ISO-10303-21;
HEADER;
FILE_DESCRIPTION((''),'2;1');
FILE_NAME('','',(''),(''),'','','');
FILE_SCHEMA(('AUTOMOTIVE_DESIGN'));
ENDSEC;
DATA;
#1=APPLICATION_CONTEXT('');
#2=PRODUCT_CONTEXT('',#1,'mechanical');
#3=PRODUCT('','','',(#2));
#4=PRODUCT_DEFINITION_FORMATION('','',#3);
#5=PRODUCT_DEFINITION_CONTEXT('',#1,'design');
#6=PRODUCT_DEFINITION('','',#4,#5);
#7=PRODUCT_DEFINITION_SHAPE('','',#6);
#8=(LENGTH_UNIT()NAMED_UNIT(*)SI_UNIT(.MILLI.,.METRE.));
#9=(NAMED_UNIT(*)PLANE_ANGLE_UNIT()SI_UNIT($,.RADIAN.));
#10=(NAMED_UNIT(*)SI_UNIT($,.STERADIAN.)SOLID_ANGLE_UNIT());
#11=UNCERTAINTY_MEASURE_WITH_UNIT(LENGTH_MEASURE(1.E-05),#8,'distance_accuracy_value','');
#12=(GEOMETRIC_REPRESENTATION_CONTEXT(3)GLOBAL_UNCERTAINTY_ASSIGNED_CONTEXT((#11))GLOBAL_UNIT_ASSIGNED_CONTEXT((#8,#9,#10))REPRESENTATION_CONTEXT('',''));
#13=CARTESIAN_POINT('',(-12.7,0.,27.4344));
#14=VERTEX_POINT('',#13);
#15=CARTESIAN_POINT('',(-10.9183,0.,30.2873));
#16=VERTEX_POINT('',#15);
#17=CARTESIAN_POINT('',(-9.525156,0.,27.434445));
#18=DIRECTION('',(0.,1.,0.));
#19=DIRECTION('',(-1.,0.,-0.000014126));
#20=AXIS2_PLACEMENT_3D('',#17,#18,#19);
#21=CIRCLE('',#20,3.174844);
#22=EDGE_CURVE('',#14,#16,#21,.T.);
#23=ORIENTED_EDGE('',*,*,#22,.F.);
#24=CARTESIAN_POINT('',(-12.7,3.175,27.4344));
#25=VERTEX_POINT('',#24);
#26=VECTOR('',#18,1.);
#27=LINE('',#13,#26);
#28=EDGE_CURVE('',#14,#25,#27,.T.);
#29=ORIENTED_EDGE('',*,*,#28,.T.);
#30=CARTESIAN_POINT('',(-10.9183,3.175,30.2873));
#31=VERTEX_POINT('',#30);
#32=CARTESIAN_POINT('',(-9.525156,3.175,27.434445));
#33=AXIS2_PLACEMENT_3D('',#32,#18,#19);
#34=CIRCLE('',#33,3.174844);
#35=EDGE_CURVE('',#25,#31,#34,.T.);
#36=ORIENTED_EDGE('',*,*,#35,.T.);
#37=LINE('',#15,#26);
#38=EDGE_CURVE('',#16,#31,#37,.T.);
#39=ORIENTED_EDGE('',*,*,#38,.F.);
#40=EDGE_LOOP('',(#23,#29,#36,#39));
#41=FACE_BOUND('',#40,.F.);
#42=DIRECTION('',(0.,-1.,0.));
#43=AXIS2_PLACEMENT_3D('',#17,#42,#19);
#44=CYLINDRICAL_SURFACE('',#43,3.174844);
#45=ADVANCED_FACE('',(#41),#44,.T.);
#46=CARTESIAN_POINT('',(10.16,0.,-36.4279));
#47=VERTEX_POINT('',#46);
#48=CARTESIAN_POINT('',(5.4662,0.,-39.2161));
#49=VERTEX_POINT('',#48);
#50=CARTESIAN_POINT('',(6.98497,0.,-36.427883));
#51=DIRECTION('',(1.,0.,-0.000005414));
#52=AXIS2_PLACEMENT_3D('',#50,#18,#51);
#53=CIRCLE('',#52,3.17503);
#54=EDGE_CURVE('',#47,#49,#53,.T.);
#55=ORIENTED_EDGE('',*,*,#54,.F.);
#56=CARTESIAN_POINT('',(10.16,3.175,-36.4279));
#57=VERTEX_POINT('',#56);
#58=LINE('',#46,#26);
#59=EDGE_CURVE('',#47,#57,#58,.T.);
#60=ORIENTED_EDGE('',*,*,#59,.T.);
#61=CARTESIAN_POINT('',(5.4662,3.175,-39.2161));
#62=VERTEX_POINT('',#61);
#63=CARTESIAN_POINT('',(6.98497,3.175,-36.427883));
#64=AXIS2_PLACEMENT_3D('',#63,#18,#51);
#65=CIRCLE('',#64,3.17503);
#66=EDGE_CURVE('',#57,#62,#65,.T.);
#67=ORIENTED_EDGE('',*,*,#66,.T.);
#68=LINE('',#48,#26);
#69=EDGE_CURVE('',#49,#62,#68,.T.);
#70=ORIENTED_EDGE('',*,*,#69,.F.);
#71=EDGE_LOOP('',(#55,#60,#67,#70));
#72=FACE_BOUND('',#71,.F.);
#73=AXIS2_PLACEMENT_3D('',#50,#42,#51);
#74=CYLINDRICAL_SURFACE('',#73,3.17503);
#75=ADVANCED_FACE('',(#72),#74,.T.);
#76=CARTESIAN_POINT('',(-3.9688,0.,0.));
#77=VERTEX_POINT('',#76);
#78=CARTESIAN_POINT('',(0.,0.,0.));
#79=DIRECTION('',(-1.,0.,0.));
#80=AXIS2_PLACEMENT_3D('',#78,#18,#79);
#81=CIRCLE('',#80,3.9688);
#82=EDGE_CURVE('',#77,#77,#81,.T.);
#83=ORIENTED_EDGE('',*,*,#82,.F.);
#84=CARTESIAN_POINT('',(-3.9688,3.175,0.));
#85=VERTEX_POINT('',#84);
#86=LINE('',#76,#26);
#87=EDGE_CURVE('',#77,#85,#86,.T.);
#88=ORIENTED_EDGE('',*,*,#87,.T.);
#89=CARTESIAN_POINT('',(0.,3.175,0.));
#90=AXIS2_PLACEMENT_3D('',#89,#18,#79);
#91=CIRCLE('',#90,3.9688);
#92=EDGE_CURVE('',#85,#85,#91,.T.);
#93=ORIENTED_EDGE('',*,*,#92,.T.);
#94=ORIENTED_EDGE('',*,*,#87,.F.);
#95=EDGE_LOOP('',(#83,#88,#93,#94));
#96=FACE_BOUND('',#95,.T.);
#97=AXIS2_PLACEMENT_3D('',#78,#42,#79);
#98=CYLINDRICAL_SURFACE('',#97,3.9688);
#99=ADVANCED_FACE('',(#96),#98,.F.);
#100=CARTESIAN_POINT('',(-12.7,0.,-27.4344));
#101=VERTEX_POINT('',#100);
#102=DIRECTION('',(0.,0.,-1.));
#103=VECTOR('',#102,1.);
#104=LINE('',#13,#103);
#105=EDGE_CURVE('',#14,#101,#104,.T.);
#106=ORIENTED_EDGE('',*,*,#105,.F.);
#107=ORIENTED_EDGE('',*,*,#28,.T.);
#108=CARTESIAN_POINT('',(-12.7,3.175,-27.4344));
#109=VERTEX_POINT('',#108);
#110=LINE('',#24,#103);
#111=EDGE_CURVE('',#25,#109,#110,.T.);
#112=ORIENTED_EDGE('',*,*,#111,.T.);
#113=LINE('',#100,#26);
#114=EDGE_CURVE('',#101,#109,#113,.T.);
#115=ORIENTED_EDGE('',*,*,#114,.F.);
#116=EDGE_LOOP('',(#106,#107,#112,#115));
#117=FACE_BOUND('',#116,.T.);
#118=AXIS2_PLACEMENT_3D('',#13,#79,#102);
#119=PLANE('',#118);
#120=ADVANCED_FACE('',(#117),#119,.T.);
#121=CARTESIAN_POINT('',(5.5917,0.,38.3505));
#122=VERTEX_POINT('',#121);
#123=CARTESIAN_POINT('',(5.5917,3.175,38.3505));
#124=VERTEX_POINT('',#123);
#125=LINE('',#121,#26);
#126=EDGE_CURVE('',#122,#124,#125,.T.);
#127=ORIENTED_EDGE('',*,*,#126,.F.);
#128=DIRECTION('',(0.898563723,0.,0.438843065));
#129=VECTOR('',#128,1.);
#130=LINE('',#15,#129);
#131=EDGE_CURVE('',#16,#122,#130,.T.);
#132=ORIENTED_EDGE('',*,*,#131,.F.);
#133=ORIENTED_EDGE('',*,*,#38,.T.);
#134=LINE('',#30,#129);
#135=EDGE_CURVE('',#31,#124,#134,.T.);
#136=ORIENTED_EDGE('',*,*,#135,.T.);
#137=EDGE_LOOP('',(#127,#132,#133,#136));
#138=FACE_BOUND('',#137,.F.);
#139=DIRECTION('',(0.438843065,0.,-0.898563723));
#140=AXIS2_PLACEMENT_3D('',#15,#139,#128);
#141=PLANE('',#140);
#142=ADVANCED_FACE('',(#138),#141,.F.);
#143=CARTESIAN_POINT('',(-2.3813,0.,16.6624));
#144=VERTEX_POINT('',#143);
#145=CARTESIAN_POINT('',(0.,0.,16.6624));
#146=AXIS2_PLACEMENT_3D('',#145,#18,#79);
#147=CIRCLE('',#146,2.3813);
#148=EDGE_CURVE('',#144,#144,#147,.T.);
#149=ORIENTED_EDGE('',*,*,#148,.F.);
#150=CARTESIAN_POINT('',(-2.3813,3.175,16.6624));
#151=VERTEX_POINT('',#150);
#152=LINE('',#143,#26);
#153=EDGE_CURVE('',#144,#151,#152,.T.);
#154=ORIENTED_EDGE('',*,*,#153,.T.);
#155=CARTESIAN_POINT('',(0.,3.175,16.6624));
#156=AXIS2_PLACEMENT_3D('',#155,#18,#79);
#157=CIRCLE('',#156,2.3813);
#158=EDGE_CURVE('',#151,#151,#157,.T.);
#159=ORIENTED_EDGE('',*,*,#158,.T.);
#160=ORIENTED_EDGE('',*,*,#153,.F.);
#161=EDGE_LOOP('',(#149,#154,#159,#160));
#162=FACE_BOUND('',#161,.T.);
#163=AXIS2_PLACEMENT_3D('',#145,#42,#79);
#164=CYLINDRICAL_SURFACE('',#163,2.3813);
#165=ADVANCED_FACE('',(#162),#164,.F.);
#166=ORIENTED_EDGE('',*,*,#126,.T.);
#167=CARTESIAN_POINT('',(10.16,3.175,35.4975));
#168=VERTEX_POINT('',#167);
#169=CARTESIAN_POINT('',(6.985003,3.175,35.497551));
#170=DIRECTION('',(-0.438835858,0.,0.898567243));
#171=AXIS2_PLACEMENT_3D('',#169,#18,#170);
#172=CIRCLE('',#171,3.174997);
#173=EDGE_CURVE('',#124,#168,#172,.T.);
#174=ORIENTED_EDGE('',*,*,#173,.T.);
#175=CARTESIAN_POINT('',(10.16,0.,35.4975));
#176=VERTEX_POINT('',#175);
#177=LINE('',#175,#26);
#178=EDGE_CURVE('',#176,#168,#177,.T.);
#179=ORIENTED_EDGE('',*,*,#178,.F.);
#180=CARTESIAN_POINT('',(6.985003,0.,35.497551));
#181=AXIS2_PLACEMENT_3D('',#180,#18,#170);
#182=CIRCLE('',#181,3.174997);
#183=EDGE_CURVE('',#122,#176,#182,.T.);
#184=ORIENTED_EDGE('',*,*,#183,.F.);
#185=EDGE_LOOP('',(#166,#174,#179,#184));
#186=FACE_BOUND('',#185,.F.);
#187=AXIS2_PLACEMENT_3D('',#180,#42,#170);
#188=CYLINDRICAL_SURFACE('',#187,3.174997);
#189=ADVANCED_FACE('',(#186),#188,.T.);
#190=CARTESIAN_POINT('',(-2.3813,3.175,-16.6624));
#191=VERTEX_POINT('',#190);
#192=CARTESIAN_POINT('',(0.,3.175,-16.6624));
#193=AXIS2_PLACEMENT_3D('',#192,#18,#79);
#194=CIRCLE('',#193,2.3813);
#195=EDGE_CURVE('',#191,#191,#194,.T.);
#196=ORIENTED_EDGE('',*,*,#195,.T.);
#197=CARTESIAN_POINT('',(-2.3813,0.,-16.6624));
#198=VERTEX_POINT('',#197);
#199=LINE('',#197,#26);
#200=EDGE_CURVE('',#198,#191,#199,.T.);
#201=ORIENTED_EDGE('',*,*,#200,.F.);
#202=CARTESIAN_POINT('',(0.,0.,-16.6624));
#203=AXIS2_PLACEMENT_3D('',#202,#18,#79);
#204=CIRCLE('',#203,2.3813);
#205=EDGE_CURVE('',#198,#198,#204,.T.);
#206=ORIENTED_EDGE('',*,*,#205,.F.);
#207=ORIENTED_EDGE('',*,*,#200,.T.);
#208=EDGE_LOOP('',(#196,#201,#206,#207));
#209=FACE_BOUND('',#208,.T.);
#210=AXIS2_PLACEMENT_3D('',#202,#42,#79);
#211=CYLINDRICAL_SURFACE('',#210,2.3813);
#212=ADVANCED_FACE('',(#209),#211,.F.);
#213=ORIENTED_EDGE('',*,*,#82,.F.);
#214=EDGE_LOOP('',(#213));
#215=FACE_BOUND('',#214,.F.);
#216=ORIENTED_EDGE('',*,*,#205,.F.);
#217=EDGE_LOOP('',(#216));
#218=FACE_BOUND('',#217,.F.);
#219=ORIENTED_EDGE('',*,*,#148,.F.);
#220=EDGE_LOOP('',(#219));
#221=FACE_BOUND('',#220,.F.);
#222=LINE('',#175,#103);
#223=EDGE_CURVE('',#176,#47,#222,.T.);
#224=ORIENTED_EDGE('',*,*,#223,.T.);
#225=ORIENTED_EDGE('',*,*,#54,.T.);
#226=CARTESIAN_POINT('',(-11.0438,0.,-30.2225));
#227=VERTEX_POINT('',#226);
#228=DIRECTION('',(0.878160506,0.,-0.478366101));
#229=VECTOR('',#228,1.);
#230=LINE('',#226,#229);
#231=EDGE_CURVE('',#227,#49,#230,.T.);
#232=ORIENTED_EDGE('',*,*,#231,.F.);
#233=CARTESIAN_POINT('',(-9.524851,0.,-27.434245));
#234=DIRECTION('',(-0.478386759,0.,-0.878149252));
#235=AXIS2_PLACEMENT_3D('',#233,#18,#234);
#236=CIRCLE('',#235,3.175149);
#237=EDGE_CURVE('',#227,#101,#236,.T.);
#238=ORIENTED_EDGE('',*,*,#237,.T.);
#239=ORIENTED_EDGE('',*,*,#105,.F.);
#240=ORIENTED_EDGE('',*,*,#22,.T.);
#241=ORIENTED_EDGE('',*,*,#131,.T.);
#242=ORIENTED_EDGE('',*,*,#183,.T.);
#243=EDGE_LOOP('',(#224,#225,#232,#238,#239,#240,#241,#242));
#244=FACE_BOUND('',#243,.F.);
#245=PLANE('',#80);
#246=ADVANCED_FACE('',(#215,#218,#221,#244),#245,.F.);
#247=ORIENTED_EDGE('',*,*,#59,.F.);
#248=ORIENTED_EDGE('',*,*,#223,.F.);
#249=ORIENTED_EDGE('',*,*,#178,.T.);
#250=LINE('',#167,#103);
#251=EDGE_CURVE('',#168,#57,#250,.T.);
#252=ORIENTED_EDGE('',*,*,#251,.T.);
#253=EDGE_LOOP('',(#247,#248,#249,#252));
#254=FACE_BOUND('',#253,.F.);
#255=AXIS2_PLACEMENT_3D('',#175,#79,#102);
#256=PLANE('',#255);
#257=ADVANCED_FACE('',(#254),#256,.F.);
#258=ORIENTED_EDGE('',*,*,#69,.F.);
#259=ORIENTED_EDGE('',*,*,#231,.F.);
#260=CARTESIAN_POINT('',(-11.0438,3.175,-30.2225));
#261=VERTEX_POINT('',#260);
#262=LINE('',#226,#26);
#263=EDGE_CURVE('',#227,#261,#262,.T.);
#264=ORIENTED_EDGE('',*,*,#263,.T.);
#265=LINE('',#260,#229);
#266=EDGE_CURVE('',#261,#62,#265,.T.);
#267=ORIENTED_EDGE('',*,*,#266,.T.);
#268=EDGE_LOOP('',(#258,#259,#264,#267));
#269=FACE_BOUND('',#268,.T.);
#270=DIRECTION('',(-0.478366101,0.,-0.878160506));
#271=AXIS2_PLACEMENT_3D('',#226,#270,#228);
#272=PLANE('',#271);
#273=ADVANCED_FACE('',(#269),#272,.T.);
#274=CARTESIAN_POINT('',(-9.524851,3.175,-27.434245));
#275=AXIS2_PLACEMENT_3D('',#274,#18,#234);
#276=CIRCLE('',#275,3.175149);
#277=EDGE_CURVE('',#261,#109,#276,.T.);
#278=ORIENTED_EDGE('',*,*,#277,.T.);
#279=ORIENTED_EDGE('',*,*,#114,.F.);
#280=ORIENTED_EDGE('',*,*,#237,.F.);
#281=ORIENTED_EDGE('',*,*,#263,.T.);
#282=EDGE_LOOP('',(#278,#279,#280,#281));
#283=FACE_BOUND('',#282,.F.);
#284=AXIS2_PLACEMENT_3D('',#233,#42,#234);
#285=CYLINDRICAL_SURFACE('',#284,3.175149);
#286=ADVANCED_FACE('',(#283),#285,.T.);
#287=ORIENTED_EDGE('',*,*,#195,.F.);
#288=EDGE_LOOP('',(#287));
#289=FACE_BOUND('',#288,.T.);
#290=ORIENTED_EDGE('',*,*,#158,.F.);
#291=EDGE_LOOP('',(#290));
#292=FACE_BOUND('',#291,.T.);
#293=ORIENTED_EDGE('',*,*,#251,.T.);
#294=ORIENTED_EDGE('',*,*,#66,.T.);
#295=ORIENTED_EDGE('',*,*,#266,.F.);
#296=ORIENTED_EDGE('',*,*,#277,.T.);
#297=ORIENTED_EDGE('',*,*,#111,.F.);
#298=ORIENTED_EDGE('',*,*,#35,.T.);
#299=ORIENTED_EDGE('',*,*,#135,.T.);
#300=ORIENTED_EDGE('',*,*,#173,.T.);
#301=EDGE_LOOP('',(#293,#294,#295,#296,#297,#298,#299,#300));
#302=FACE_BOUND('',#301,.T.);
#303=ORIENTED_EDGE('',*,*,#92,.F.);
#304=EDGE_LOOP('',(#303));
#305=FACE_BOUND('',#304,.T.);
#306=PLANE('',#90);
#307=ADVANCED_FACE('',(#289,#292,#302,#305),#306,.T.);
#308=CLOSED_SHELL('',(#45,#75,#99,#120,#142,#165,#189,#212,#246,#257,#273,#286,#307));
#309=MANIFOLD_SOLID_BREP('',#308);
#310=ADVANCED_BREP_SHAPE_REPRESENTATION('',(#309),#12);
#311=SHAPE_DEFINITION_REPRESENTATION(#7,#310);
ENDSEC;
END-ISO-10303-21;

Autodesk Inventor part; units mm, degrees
ref_plane "YZ Plane" through (0, 0, 0) normal (1, 0, 0) x (0, 1, 0)
ref_plane "XZ Plane" through (0, 0, 0) normal (0, 1, 0) x (-1, 0, 0)
ref_plane "XY Plane" through (0, 0, 0) normal (0, 0, 1) x (1, 0, 0)
sketch "Sketch1" plane through (0, 0, 0) normal (0, 1, 0) x (-1, 0, 0)
  circle A0 centre (0, 0) radius 3.9688
  circle A1 centre (0, -16.6624) radius 2.3813
  circle A2 centre (0, 16.6624) radius 2.3813
  line L0 (12.7, 27.4344) -> (12.7, -27.4344)
  line L1 (-10.16, 35.4975) -> (-10.16, -36.4279)
  line L2 (10.9183, 30.2873) -> (-5.5917, 38.3505)
  line L3 (12.7, 29.4172) -> (45.9346, 29.4172) construction
  line L4 (-10.16, -0.5957) -> (-17.3723, -0.5957) construction
  line L5 (11.0438, -30.2225) -> (-5.4662, -39.2161)
  arc A3 (-5.5917, 38.3505) -> (-10.16, 35.4975) centre (-6.985, 35.4975) ccw
  arc A4 (12.7, 27.4344) -> (10.9183, 30.2873) centre (9.525, 27.4344) ccw
  arc A5 (11.0438, -30.2225) -> (12.7, -27.4344) centre (9.525, -27.4344) ccw
  arc A6 (-10.16, -36.4279) -> (-5.4662, -39.2161) centre (-6.985, -36.4279) ccw
  point P0 (12.7, -29.3203)
  point P1 (12.7, 0)
  point P2 (-10.16, -41.773)
  point P3 (-10.16, 40.5816)
  dimension "d0" = 7.9375
  dimension "d1" = 4.7625
  dimension "d2" = 16.6624
  dimension "d3" = 4.7625
  dimension "d4" = 16.6624
  dimension "d5" = 12.7
  dimension "d6" = 58.7375
  dimension "d7" = 22.86
  dimension "d8" = 153.97
  dimension "d9" = 3.175
extrude "Extrusion1" add sketch "Sketch1" along normal blind 3.175
properties part number "Bumper_Lock_Plate"
